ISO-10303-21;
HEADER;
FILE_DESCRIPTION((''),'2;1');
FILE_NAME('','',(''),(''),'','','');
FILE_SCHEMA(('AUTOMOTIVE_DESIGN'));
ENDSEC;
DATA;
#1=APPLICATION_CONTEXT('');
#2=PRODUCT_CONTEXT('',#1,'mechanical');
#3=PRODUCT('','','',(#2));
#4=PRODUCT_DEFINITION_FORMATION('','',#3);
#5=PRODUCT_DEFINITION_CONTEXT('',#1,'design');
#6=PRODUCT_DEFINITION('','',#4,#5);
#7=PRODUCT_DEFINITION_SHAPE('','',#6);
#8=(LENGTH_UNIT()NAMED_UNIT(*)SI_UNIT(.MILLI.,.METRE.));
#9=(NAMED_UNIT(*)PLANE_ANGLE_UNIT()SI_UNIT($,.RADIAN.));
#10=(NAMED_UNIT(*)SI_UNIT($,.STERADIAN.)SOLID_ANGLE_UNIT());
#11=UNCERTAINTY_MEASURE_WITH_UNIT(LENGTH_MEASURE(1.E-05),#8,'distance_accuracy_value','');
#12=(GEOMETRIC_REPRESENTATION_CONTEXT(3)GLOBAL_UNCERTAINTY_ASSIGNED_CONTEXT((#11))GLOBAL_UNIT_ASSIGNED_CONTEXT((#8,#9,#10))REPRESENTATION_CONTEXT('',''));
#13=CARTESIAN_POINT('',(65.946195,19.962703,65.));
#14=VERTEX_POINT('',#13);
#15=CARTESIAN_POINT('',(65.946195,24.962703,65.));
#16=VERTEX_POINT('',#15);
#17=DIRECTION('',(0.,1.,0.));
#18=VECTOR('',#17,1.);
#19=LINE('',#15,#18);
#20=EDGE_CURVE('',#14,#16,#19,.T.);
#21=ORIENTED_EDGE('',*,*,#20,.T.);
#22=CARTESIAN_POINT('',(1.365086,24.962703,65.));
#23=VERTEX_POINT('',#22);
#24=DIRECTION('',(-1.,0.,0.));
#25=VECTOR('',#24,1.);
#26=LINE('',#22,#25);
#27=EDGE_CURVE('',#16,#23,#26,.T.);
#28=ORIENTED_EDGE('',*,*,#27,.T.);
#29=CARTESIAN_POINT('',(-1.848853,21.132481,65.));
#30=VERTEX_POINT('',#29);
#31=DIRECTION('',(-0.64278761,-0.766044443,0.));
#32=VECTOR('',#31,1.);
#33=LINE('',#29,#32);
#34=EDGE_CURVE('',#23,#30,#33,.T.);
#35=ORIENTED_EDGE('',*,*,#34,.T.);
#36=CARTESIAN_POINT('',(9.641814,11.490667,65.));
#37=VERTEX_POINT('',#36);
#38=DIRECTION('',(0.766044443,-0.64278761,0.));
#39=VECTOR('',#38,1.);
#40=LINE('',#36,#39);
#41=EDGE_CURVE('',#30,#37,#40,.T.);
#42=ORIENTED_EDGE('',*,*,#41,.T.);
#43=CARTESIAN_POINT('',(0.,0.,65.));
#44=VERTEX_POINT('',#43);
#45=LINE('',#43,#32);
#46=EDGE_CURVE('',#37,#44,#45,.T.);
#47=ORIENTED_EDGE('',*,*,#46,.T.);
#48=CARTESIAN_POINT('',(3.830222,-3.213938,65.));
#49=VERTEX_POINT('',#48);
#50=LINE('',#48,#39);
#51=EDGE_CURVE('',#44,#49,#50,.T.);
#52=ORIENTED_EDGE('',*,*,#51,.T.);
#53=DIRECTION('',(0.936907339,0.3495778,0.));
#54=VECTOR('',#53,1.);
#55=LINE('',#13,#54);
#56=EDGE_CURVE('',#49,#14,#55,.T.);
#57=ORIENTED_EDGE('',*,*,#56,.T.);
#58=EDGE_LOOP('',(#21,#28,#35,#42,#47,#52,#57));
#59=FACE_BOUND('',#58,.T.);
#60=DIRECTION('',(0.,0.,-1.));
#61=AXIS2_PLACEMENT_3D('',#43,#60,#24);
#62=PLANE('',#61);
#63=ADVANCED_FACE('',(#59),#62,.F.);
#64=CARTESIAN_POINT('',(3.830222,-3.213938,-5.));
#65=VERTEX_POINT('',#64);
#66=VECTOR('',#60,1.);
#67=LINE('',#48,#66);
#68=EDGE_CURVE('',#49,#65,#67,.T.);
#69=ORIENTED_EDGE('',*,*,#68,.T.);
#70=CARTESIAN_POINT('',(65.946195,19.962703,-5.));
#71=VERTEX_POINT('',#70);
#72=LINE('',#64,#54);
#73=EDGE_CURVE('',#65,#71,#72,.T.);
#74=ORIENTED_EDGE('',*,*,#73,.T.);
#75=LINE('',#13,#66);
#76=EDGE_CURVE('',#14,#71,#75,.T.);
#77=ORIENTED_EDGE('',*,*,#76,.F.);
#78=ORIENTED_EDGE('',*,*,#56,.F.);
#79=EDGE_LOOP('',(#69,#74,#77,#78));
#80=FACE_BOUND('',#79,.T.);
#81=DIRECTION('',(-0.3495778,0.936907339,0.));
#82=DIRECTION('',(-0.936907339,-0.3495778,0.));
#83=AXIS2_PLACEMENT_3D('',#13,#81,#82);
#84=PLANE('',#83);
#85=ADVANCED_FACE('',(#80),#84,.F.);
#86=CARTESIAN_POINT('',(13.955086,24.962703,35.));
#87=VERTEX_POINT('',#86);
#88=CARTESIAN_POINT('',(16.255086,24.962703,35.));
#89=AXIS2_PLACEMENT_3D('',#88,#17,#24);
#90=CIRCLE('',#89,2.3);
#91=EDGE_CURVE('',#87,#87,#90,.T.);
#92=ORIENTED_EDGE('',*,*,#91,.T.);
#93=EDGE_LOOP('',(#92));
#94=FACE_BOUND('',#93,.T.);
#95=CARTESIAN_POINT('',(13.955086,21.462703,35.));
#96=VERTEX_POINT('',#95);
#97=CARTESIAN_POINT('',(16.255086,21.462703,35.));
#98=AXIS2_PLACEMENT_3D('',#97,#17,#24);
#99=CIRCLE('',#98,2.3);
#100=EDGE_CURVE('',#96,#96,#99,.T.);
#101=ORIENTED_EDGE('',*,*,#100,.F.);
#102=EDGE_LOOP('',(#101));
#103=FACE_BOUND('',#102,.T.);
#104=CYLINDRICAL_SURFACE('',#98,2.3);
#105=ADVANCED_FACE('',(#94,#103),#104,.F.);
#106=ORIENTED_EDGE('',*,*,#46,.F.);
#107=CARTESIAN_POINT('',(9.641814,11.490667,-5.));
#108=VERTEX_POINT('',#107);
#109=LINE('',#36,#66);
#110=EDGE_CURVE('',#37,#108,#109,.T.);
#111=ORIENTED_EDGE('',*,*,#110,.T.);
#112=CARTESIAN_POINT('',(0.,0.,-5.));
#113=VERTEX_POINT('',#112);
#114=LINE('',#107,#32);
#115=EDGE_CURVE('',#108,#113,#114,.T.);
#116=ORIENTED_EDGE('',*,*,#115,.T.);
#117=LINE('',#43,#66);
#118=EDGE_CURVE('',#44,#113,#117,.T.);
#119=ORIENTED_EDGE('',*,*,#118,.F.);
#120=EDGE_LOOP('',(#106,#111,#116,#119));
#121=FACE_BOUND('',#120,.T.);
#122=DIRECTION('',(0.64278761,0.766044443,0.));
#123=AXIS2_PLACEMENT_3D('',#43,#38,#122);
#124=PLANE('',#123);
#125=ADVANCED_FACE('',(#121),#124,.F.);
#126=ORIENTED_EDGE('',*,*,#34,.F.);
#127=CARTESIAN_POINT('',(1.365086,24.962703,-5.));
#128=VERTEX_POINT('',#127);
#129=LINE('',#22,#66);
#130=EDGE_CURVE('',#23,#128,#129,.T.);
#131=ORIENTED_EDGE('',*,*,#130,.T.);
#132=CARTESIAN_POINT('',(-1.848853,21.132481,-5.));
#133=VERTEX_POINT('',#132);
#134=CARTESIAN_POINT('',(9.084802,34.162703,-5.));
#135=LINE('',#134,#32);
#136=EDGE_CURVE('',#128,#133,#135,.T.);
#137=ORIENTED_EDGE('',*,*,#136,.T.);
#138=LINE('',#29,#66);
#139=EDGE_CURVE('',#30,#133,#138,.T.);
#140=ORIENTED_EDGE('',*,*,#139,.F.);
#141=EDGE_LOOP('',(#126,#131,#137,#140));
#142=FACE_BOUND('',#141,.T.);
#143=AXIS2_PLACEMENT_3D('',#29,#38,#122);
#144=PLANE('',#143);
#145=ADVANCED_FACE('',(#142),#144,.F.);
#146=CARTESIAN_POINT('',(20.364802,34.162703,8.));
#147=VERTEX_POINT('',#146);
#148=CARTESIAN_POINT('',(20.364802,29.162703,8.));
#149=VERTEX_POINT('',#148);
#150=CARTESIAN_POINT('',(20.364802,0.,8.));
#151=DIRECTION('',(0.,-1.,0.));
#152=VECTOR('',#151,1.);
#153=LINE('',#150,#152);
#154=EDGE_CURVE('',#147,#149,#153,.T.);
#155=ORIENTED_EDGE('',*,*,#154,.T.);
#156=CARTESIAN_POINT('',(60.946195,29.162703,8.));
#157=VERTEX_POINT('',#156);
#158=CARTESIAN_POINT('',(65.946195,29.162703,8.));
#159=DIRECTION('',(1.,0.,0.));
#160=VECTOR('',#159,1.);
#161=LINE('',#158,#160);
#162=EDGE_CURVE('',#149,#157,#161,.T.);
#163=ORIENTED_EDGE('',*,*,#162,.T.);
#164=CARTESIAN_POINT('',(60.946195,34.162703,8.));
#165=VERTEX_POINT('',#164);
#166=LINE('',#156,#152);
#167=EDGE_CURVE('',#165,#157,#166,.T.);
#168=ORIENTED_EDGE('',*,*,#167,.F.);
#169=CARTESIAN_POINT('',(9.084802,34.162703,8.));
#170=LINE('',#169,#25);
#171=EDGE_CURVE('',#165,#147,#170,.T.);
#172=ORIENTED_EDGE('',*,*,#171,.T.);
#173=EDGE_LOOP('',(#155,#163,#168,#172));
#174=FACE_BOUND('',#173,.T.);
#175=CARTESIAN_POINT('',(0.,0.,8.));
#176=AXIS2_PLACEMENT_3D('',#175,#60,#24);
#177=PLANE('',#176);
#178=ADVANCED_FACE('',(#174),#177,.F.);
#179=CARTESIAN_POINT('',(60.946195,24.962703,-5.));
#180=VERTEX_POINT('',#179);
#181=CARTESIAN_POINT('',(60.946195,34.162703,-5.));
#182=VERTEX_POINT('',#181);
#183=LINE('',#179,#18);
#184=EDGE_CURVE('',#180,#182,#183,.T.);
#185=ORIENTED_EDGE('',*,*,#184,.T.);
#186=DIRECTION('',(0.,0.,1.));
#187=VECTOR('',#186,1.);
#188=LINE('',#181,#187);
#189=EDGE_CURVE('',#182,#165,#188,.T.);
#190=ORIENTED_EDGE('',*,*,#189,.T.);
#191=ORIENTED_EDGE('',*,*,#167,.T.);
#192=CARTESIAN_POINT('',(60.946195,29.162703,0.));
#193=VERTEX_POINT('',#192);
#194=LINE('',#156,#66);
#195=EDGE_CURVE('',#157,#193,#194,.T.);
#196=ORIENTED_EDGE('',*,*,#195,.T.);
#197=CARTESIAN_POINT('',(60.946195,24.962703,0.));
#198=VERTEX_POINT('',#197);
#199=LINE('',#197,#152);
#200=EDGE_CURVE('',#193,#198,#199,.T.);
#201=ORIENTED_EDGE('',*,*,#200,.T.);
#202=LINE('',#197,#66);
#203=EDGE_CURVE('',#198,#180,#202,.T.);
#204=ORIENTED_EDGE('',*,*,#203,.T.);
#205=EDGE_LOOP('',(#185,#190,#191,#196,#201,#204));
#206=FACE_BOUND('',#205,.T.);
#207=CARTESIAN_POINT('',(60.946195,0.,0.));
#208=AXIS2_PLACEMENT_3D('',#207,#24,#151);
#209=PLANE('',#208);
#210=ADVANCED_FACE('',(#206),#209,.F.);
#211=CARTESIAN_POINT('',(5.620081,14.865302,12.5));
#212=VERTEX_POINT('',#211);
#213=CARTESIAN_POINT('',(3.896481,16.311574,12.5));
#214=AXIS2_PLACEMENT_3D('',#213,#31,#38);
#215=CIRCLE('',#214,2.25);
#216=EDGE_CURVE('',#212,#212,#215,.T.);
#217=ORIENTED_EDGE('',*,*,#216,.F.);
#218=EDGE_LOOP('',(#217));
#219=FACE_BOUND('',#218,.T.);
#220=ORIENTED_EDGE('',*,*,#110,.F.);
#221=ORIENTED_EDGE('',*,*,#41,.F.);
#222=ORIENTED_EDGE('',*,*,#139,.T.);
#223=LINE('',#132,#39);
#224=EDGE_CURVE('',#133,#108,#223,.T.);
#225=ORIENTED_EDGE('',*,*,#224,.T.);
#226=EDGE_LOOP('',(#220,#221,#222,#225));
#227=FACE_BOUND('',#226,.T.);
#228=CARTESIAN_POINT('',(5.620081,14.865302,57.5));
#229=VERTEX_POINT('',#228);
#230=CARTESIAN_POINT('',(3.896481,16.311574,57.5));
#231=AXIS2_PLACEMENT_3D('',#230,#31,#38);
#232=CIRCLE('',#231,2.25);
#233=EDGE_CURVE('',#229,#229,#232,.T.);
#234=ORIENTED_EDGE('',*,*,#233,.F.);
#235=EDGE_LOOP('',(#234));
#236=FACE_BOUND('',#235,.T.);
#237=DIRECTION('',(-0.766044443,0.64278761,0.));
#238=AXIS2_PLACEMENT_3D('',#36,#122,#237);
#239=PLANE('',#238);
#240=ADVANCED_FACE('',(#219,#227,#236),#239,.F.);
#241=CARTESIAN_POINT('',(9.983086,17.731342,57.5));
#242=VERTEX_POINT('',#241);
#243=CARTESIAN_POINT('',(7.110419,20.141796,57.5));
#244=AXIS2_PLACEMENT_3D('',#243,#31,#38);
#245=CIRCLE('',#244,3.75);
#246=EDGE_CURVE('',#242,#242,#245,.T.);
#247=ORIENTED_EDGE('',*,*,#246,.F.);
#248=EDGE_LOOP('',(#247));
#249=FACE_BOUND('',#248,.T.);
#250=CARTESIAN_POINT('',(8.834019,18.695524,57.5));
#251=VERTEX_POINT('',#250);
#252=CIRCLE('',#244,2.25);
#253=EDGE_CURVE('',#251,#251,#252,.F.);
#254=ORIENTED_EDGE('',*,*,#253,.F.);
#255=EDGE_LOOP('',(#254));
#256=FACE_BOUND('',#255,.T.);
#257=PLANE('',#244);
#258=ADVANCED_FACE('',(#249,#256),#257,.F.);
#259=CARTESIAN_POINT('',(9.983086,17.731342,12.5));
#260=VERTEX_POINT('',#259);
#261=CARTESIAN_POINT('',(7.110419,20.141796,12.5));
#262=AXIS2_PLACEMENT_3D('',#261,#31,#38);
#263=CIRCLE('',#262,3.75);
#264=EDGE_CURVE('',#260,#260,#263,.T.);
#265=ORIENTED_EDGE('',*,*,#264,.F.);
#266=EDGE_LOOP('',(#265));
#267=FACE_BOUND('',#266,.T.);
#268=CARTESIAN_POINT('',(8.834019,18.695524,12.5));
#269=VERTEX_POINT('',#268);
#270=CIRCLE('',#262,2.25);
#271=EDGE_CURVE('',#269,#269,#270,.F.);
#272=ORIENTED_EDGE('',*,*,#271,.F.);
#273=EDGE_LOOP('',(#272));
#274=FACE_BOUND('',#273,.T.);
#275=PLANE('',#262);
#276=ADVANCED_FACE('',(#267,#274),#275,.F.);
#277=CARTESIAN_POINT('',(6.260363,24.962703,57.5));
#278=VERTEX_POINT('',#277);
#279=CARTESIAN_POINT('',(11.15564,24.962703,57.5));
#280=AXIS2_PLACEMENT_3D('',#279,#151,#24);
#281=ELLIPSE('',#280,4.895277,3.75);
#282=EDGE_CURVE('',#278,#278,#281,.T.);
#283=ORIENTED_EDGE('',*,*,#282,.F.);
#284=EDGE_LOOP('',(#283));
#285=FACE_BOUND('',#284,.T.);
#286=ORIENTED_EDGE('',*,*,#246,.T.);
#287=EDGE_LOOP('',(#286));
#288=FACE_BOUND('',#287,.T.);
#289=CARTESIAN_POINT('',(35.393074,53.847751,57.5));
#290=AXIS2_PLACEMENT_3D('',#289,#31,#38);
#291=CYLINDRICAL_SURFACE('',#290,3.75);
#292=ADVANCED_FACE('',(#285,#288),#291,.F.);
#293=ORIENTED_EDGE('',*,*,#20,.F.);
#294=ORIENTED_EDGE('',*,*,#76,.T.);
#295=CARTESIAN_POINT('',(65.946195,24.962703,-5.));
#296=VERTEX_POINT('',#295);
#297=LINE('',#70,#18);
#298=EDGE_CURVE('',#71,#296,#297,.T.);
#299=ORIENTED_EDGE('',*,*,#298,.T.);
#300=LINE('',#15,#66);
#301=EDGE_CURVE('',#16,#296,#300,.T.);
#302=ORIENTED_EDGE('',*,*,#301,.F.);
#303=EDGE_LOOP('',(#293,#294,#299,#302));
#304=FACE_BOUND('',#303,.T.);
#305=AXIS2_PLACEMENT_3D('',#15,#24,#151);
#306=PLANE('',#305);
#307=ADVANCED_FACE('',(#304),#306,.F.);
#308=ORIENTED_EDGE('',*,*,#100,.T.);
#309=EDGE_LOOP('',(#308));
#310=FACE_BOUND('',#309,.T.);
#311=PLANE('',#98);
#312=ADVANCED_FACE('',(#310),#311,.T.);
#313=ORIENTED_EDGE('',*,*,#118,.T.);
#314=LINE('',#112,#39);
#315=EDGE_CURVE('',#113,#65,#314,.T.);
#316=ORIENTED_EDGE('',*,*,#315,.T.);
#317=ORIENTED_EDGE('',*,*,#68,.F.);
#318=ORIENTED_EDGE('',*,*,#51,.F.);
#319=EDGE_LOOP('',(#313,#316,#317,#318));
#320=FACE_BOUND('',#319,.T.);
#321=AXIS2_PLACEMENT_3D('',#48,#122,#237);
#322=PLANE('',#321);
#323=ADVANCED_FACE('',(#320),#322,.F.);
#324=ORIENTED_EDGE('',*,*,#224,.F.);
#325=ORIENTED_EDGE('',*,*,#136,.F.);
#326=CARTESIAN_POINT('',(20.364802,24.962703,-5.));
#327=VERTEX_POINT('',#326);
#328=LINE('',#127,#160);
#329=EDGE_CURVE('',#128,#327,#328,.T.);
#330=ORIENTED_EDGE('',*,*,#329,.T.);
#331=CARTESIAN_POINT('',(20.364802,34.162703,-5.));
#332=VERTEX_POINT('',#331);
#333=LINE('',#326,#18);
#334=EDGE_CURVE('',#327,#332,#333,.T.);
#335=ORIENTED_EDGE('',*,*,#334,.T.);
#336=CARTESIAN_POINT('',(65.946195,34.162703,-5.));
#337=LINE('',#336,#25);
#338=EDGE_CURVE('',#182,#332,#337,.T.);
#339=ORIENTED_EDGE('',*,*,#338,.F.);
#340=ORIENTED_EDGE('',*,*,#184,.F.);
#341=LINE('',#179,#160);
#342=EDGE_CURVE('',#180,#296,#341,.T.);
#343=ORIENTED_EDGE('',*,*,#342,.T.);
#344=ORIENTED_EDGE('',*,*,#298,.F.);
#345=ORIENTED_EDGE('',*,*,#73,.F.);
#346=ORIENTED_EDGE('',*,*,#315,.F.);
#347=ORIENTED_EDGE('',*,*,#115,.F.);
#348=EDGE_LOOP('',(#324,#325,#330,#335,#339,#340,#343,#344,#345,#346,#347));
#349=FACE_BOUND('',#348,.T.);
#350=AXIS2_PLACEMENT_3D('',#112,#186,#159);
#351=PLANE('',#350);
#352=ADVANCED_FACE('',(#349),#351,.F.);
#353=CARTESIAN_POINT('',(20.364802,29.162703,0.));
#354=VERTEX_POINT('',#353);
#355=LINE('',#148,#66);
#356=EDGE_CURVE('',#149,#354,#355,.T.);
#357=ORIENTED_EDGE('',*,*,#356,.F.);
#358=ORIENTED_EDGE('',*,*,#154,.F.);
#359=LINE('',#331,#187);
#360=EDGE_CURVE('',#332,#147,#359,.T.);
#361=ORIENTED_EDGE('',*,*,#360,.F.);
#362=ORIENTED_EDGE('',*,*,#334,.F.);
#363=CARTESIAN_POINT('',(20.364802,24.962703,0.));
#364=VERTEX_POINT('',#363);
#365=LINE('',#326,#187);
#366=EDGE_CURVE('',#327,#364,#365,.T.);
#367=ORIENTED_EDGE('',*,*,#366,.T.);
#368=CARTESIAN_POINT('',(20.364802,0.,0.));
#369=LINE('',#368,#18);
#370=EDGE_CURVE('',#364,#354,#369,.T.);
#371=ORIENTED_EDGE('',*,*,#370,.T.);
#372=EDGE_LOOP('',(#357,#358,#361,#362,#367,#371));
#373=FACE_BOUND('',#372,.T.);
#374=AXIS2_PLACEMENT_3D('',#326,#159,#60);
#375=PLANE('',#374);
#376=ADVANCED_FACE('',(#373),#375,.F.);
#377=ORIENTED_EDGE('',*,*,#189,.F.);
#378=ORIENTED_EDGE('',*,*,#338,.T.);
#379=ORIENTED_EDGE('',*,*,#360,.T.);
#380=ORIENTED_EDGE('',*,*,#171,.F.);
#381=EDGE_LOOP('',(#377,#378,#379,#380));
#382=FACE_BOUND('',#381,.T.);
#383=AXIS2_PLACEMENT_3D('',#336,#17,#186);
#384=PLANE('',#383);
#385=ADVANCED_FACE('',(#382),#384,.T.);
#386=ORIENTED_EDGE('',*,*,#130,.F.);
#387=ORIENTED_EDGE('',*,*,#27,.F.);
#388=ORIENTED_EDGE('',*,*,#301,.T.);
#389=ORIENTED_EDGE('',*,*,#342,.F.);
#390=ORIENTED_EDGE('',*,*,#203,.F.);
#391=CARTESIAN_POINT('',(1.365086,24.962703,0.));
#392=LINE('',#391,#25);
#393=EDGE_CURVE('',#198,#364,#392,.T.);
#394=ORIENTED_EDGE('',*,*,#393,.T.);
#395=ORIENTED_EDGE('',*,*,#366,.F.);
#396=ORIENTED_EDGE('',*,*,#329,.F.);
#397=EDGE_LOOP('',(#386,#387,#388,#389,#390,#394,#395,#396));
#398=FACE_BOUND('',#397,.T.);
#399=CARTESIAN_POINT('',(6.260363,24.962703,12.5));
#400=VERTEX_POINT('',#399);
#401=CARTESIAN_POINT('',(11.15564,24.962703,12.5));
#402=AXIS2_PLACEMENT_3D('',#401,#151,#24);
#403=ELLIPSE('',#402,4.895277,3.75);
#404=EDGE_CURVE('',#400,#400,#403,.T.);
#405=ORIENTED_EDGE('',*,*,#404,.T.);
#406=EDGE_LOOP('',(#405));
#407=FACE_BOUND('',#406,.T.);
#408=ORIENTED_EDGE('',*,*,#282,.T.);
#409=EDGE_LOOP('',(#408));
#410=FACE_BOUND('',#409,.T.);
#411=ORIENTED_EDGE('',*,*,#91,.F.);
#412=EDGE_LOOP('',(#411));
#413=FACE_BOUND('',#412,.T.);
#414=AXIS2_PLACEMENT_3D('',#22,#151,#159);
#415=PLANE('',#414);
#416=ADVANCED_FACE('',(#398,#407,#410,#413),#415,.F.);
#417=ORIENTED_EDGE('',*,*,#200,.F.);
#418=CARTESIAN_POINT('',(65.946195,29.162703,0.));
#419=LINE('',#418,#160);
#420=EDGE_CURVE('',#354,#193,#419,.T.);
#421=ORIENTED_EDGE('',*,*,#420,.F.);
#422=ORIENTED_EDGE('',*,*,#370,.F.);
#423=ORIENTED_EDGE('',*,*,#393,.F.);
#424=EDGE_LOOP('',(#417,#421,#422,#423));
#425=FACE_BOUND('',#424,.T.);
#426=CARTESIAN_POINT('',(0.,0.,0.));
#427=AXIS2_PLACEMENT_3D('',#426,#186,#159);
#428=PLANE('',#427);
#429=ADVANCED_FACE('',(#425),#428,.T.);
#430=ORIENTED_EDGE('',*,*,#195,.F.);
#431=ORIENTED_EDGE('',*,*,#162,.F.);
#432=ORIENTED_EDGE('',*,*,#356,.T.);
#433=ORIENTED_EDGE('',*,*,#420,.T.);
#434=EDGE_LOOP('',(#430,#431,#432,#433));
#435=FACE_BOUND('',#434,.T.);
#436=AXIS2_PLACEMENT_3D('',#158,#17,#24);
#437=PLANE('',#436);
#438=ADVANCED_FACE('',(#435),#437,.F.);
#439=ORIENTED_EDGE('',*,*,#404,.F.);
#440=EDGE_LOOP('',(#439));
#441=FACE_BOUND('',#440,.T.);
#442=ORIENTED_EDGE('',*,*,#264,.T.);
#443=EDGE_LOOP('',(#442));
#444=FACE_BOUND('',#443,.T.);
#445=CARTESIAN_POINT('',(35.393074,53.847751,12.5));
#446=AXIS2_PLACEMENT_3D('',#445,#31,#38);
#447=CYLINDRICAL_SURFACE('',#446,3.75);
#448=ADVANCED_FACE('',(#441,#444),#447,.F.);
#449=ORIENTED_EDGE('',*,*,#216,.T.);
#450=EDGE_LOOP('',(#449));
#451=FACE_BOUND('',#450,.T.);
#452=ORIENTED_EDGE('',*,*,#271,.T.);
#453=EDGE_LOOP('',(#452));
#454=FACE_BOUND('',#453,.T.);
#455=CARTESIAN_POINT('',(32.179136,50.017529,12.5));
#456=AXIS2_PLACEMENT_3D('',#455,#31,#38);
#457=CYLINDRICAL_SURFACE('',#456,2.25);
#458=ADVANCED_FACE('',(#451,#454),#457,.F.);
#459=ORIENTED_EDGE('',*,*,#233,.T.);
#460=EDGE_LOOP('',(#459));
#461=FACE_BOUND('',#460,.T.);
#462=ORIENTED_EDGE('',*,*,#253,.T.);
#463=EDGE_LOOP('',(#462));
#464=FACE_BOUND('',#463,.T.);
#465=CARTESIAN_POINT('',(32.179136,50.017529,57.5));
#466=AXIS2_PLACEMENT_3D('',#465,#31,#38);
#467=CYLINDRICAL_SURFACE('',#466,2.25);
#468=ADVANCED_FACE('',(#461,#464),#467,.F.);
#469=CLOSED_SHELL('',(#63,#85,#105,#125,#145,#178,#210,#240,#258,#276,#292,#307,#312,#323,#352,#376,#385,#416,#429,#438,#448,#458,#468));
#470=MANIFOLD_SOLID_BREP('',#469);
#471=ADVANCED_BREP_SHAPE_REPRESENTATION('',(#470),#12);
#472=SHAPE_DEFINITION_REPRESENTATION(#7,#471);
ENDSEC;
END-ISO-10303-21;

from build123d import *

# Parameters (mm, degrees)
EXTRUDE_1_DEPTH     = 65
SKETCH_4_R          = 2.25
CUT_EXTRUDE_2_DEPTH = 44
CUT_EXTRUDE_START   = -5
SKETCH_5_R          = 3.75
CUT_EXTRUDE_3_DEPTH = 44
EXTRUDE_2_DEPTH     = 5
EXTRUDE_4_DEPTH     = 8
SKETCH_9_R          = 2.3
CUT_EXTRUDE_4_DEPTH = 3.5
CUT_EXTRUDE_6_DEPTH = 14
CUT_EXTRUDE_7_DEPTH = 5


with BuildPart() as part:
    # ｽｹｯﾁ1 → ﾎﾞｽ - 押し出し1 (new body)
    with BuildSketch(Plane.XY):
        Polygon((0, 0), (9.641814145, 11.490666647), (-1.848852501, 21.132480792), (1.365085547, 24.962703008), (65.946194887, 24.962703008), (65.946194887, 19.962703008), (3.830222216, -3.213938048), align=None)
    extrude(amount=EXTRUDE_1_DEPTH)

    # ｽｹｯﾁ4 → ｶｯﾄ - 押し出し2 (cut)
    with BuildSketch(Plane(origin=(9.641814145, 11.490666647, 0), x_dir=(-0.766044443, 0.64278761, 0), z_dir=(-0.64278761, -0.766044443, 0))):
        with Locations((7.5, -12.5)):
            Circle(SKETCH_4_R)
        with Locations((7.5, -57.5)):
            Circle(SKETCH_4_R)
    extrude(amount=-CUT_EXTRUDE_2_DEPTH, mode=Mode.SUBTRACT)

    # ｽｹｯﾁ5 → ｶｯﾄ - 押し出し3 (cut)
    with BuildSketch(Plane(origin=(9.641814145, 11.490666647, 0), x_dir=(-0.766044443, 0.64278761, 0), z_dir=(-0.64278761, -0.766044443, 0)).offset(CUT_EXTRUDE_START)):
        with Locations((7.5, -57.5)):
            Circle(SKETCH_5_R)
        with Locations((7.5, -12.5)):
            Circle(SKETCH_5_R)
    extrude(amount=-CUT_EXTRUDE_3_DEPTH, mode=Mode.SUBTRACT)

    # ｽｹｯﾁ6 → ﾎﾞｽ - 押し出し2 (add)
    with BuildSketch(Plane.XY):
        Polygon((0, 0), (3.830222216, -3.213938048), (65.946194887, 19.962703008), (65.946194887, 34.162703008), (9.084802154, 34.162703008), (-1.848852501, 21.132480792), (9.641814145, 11.490666647), align=None)
    extrude(amount=-EXTRUDE_2_DEPTH)

    # ｽｹｯﾁ8 → ﾎﾞｽ - 押し出し4 (add)
    with BuildSketch(Plane.XY):
        Polygon((65.946194887, 34.162703008), (65.946194887, 29.162703008), (4.889303998, 29.162703008), (9.084802154, 34.162703008), align=None)
    extrude(amount=EXTRUDE_4_DEPTH)

    # ｽｹｯﾁ9 → ｶｯﾄ - 押し出し4 (cut)
    with BuildSketch(Plane(origin=(0, 24.962703008, 0), x_dir=(1, 0, 0), z_dir=(0, 1, 0))):
        with Locations((16.255085547, -35)):
            Circle(SKETCH_9_R)
    extrude(amount=-CUT_EXTRUDE_4_DEPTH, mode=Mode.SUBTRACT)

    # ｽｹｯﾁ11 → ｶｯﾄ - 押し出し6 (cut, through all)
    with BuildSketch(Plane.XY.offset(8)):
        Polygon((1.365085547, 24.962703008), (20.364802154, 24.962703008), (20.364802154, 34.162703008), (9.084802154, 34.162703008), align=None)
    extrude(amount=-CUT_EXTRUDE_6_DEPTH, mode=Mode.SUBTRACT)

    # ｽｹｯﾁ12 → ｶｯﾄ - 押し出し7 (cut)
    with BuildSketch(Plane(origin=(65.946194887, 0, 0), x_dir=(0, 0, -1), z_dir=(1, 0, 0))):
        Polygon((0, 24.962703008), (5, 24.962703008), (5, 34.162703008), (-8, 34.162703008), (-8, 29.162703008), (0, 29.162703008), align=None)
    extrude(amount=-CUT_EXTRUDE_7_DEPTH, mode=Mode.SUBTRACT)


solid = part.part
